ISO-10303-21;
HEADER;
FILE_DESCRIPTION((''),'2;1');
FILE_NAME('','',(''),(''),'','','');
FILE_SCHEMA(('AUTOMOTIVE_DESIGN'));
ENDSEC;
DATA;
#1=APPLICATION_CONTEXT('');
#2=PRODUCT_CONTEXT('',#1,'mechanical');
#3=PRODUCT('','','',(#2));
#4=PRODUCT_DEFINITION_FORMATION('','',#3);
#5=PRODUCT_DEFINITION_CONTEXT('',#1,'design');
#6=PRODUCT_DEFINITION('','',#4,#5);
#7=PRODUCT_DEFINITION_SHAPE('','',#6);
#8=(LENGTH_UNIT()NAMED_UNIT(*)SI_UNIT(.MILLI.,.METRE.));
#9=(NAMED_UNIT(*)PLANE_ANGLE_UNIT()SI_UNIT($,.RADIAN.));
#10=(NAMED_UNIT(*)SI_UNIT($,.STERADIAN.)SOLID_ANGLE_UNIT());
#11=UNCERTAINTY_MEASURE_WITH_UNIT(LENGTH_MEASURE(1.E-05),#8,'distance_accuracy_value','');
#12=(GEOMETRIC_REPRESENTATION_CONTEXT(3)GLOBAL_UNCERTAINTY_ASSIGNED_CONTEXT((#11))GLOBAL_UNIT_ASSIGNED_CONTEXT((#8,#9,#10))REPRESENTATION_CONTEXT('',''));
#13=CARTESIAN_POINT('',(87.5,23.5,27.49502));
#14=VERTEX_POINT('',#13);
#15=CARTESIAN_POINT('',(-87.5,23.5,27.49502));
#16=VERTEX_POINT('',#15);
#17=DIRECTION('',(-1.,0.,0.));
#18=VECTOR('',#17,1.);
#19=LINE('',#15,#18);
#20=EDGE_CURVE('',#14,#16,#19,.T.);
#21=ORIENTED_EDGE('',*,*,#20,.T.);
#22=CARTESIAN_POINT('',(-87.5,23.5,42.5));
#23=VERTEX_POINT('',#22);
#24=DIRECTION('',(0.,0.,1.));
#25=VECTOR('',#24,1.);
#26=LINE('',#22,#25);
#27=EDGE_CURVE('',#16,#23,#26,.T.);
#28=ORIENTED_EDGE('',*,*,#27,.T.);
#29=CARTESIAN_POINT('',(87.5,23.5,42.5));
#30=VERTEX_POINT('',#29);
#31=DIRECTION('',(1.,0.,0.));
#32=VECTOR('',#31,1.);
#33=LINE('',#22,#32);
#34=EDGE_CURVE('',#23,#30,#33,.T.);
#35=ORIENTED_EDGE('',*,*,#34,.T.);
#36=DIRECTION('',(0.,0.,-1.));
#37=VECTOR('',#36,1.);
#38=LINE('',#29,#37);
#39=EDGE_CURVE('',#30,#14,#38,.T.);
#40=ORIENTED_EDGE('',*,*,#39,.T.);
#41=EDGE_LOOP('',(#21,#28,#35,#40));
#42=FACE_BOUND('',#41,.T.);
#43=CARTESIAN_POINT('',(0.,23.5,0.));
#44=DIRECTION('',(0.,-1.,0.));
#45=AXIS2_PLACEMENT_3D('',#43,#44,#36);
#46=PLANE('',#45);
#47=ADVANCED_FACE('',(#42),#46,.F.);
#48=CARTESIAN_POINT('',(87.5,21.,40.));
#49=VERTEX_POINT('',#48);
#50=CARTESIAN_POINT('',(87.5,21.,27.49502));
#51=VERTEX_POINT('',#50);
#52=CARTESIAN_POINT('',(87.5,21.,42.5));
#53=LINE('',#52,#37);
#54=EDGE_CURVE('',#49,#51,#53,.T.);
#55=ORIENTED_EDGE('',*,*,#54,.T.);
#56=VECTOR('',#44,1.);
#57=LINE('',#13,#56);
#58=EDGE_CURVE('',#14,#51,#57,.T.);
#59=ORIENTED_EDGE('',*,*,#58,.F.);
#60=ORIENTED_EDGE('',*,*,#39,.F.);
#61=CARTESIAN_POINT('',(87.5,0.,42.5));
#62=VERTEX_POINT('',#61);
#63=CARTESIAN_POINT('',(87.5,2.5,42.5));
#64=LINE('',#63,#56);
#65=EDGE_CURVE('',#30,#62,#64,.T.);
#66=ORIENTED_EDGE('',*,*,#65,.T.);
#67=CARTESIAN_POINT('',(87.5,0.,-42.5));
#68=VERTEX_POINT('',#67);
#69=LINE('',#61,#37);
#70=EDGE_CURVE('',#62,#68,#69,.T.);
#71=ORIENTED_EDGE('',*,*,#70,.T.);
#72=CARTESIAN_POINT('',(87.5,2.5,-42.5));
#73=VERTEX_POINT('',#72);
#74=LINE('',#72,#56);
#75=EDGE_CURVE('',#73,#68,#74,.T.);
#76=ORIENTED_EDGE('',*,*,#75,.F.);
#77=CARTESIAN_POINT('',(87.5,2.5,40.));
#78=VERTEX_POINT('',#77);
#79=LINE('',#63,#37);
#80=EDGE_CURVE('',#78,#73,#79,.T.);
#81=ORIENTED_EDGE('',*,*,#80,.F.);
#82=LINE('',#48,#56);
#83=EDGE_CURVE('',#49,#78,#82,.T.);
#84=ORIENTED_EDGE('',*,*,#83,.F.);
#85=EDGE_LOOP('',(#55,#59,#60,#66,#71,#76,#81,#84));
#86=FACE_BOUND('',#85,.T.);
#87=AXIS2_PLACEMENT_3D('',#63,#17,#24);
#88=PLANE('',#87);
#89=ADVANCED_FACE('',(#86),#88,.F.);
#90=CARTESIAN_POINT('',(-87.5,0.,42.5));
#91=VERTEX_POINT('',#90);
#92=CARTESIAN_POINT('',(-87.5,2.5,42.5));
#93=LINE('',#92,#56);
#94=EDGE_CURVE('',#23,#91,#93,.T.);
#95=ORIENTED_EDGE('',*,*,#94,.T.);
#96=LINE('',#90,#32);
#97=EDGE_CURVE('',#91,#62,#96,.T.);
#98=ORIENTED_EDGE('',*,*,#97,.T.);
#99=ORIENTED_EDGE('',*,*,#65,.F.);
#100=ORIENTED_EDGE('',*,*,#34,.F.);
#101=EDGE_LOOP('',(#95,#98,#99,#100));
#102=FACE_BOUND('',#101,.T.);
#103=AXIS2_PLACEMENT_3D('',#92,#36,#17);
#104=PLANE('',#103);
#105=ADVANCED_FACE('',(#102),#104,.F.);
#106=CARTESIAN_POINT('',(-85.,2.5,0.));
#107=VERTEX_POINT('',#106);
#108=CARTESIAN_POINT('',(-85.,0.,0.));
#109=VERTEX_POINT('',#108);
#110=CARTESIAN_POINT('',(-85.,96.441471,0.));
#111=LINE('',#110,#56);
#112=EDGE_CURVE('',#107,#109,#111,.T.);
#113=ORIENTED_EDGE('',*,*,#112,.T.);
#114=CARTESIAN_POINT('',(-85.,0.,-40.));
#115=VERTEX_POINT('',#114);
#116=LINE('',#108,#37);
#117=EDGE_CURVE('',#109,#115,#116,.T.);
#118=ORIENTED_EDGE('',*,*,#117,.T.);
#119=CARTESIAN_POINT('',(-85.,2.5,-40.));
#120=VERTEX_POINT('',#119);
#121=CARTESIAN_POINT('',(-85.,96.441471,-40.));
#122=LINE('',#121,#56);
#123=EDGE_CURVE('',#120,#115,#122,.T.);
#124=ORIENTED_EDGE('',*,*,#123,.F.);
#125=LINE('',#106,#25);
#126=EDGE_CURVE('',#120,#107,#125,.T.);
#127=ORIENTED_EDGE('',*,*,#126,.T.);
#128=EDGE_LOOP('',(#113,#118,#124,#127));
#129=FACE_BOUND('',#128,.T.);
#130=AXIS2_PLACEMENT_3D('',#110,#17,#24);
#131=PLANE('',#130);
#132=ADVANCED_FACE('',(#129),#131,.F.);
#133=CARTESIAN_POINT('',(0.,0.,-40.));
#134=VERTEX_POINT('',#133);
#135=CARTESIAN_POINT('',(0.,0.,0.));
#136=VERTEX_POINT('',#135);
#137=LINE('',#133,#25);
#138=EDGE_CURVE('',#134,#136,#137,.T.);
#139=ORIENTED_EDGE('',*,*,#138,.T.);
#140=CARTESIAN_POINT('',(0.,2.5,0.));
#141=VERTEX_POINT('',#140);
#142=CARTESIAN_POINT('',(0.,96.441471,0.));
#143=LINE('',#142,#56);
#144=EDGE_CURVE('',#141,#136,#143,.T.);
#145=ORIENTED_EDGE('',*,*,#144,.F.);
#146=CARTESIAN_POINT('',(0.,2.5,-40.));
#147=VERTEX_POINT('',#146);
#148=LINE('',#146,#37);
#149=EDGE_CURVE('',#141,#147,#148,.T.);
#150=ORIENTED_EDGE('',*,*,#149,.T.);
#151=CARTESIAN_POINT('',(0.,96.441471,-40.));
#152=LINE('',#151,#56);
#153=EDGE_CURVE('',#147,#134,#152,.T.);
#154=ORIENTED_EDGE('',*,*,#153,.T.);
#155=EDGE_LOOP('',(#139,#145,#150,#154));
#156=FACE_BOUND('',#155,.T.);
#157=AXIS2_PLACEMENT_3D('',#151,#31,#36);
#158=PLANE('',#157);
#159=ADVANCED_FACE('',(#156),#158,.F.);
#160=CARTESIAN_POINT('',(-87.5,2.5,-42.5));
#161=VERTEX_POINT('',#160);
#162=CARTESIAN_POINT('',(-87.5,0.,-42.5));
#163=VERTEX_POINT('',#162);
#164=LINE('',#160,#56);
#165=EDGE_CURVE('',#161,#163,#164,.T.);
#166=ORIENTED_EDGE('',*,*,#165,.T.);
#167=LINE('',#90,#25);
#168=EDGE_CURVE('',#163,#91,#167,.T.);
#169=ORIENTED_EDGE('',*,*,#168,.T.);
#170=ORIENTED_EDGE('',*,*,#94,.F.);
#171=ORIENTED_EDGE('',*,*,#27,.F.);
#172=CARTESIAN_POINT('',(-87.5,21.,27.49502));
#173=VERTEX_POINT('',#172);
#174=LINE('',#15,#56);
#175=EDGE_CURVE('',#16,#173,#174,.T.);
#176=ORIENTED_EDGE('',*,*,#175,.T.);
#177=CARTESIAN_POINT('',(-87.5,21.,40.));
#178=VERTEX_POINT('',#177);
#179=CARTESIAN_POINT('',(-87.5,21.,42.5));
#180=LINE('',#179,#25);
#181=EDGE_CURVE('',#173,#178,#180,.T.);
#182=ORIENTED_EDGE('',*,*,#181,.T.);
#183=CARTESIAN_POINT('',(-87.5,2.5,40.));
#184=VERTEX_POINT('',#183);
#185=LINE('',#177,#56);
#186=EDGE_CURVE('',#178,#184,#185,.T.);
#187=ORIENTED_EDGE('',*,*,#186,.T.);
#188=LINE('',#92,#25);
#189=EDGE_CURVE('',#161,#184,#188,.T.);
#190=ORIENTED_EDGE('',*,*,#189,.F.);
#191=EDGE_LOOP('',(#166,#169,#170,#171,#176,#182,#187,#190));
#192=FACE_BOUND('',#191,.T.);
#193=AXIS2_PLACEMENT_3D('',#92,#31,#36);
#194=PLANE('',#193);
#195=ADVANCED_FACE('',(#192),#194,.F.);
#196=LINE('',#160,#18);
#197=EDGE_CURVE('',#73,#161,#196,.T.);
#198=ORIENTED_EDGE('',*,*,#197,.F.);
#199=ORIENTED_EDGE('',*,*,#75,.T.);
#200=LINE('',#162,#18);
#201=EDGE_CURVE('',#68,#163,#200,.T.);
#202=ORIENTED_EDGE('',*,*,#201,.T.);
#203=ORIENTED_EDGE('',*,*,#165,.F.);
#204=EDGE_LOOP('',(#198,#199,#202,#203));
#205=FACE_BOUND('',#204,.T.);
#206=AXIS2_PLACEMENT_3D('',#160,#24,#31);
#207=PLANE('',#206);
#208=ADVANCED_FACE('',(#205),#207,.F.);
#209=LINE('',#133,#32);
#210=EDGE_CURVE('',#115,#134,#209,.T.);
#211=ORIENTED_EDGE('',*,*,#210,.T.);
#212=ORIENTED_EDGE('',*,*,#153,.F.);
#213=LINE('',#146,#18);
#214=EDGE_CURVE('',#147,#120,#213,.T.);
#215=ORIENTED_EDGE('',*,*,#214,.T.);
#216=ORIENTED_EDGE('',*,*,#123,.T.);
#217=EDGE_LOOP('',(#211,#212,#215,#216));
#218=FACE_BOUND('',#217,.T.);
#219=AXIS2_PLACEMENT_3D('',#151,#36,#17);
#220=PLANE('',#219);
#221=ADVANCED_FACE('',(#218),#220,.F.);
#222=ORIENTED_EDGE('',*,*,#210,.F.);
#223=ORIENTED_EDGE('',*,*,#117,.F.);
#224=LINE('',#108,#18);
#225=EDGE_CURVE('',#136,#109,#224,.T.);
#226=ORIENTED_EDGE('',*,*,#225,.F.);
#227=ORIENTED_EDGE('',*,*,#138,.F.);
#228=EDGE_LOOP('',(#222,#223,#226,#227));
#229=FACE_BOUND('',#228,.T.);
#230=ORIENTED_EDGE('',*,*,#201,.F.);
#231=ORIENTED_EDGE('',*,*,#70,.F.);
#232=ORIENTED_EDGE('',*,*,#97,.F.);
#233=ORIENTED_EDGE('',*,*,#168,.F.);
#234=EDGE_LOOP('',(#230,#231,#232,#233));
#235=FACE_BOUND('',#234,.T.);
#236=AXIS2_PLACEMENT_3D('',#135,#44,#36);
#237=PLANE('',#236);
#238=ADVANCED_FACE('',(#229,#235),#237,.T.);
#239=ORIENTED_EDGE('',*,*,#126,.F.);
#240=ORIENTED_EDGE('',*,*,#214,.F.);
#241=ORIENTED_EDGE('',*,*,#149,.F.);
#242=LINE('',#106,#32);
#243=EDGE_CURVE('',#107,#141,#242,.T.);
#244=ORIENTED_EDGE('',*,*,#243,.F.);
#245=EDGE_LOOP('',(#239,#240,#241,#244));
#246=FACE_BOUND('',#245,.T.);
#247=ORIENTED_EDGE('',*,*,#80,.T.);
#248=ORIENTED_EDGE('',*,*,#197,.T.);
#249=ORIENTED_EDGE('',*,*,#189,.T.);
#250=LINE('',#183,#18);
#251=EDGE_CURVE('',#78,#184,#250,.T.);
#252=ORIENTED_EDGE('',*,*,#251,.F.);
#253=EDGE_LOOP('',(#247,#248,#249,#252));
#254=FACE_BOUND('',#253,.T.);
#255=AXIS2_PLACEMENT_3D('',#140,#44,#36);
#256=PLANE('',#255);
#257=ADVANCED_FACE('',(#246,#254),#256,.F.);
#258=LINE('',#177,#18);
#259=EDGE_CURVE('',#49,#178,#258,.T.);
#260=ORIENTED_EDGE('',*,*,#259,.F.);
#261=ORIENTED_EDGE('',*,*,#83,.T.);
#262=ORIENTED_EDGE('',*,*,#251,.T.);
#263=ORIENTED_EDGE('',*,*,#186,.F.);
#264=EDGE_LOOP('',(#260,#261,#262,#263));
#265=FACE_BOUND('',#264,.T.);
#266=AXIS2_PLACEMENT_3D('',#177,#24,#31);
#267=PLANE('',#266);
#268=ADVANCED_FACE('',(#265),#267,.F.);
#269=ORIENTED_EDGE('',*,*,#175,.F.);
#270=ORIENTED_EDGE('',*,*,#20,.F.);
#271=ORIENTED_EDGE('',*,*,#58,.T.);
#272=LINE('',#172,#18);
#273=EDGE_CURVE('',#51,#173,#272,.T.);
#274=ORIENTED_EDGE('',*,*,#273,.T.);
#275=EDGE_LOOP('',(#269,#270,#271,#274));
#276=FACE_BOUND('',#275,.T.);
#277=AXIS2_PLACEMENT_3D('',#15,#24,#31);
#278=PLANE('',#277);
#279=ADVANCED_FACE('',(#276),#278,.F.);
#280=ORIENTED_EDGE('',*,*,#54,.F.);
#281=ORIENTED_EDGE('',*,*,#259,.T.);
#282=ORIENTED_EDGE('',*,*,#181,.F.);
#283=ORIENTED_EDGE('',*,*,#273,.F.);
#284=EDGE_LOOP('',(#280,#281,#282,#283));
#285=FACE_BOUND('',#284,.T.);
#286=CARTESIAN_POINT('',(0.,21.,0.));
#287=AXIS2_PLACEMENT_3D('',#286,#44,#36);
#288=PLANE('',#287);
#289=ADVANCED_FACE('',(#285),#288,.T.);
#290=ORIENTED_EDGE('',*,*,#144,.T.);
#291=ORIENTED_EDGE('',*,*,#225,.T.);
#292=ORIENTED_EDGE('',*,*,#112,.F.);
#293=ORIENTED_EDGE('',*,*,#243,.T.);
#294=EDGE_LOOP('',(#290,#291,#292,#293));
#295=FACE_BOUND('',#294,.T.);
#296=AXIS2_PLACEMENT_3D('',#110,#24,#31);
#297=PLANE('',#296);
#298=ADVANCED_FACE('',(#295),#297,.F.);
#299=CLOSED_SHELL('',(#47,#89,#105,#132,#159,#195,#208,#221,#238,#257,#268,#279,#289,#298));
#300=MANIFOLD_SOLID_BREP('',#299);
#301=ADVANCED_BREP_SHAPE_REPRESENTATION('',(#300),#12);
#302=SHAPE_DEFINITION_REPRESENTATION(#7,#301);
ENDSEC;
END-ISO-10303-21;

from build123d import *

# Parameters (mm, degrees)
SKETCH1_W           = 175
SKETCH1_H           = 85
BOSS_EXTRUDE1_DEPTH = 2.5
SKETCH2_W           = 85
SKETCH2_H           = 40
CUT_EXTRUDE1_DEPTH  = 2.5
SKETCH3_W           = 175
SKETCH3_H           = 2.5
BOSS_EXTRUDE2_DEPTH = 18.5
SKETCH4_W           = 175
SKETCH4_H           = 15.004979699
BOSS_EXTRUDE3_DEPTH = 2.5


with BuildPart() as part:
    # Sketch1 → Boss-Extrude1 (new body)
    with BuildSketch(Plane(origin=(0, 0, 0), x_dir=(1, 0, 0), z_dir=(0, 1, 0))):
        Rectangle(SKETCH1_W, SKETCH1_H)
    extrude(amount=BOSS_EXTRUDE1_DEPTH)

    # Sketch2 → Cut-Extrude1 (cut)
    with BuildSketch(Plane.XZ):
        with Locations((-42.5, -20)):
            Rectangle(SKETCH2_W, SKETCH2_H)
    extrude(amount=-CUT_EXTRUDE1_DEPTH, mode=Mode.SUBTRACT)

    # Sketch3 → Boss-Extrude2 (add)
    with BuildSketch(Plane(origin=(0, 2.5, 0), x_dir=(1, 0, 0), z_dir=(0, 1, 0))):
        with Locations((0, -41.25)):
            Rectangle(SKETCH3_W, SKETCH3_H)
    extrude(amount=BOSS_EXTRUDE2_DEPTH)

    # Sketch4 → Boss-Extrude3 (add)
    with BuildSketch(Plane(origin=(0, 21, 0), x_dir=(1, 0, 0), z_dir=(0, 1, 0))):
        with Locations((0, -34.99751015)):
            Rectangle(SKETCH4_W, SKETCH4_H)
    extrude(amount=BOSS_EXTRUDE3_DEPTH)


solid = part.part
